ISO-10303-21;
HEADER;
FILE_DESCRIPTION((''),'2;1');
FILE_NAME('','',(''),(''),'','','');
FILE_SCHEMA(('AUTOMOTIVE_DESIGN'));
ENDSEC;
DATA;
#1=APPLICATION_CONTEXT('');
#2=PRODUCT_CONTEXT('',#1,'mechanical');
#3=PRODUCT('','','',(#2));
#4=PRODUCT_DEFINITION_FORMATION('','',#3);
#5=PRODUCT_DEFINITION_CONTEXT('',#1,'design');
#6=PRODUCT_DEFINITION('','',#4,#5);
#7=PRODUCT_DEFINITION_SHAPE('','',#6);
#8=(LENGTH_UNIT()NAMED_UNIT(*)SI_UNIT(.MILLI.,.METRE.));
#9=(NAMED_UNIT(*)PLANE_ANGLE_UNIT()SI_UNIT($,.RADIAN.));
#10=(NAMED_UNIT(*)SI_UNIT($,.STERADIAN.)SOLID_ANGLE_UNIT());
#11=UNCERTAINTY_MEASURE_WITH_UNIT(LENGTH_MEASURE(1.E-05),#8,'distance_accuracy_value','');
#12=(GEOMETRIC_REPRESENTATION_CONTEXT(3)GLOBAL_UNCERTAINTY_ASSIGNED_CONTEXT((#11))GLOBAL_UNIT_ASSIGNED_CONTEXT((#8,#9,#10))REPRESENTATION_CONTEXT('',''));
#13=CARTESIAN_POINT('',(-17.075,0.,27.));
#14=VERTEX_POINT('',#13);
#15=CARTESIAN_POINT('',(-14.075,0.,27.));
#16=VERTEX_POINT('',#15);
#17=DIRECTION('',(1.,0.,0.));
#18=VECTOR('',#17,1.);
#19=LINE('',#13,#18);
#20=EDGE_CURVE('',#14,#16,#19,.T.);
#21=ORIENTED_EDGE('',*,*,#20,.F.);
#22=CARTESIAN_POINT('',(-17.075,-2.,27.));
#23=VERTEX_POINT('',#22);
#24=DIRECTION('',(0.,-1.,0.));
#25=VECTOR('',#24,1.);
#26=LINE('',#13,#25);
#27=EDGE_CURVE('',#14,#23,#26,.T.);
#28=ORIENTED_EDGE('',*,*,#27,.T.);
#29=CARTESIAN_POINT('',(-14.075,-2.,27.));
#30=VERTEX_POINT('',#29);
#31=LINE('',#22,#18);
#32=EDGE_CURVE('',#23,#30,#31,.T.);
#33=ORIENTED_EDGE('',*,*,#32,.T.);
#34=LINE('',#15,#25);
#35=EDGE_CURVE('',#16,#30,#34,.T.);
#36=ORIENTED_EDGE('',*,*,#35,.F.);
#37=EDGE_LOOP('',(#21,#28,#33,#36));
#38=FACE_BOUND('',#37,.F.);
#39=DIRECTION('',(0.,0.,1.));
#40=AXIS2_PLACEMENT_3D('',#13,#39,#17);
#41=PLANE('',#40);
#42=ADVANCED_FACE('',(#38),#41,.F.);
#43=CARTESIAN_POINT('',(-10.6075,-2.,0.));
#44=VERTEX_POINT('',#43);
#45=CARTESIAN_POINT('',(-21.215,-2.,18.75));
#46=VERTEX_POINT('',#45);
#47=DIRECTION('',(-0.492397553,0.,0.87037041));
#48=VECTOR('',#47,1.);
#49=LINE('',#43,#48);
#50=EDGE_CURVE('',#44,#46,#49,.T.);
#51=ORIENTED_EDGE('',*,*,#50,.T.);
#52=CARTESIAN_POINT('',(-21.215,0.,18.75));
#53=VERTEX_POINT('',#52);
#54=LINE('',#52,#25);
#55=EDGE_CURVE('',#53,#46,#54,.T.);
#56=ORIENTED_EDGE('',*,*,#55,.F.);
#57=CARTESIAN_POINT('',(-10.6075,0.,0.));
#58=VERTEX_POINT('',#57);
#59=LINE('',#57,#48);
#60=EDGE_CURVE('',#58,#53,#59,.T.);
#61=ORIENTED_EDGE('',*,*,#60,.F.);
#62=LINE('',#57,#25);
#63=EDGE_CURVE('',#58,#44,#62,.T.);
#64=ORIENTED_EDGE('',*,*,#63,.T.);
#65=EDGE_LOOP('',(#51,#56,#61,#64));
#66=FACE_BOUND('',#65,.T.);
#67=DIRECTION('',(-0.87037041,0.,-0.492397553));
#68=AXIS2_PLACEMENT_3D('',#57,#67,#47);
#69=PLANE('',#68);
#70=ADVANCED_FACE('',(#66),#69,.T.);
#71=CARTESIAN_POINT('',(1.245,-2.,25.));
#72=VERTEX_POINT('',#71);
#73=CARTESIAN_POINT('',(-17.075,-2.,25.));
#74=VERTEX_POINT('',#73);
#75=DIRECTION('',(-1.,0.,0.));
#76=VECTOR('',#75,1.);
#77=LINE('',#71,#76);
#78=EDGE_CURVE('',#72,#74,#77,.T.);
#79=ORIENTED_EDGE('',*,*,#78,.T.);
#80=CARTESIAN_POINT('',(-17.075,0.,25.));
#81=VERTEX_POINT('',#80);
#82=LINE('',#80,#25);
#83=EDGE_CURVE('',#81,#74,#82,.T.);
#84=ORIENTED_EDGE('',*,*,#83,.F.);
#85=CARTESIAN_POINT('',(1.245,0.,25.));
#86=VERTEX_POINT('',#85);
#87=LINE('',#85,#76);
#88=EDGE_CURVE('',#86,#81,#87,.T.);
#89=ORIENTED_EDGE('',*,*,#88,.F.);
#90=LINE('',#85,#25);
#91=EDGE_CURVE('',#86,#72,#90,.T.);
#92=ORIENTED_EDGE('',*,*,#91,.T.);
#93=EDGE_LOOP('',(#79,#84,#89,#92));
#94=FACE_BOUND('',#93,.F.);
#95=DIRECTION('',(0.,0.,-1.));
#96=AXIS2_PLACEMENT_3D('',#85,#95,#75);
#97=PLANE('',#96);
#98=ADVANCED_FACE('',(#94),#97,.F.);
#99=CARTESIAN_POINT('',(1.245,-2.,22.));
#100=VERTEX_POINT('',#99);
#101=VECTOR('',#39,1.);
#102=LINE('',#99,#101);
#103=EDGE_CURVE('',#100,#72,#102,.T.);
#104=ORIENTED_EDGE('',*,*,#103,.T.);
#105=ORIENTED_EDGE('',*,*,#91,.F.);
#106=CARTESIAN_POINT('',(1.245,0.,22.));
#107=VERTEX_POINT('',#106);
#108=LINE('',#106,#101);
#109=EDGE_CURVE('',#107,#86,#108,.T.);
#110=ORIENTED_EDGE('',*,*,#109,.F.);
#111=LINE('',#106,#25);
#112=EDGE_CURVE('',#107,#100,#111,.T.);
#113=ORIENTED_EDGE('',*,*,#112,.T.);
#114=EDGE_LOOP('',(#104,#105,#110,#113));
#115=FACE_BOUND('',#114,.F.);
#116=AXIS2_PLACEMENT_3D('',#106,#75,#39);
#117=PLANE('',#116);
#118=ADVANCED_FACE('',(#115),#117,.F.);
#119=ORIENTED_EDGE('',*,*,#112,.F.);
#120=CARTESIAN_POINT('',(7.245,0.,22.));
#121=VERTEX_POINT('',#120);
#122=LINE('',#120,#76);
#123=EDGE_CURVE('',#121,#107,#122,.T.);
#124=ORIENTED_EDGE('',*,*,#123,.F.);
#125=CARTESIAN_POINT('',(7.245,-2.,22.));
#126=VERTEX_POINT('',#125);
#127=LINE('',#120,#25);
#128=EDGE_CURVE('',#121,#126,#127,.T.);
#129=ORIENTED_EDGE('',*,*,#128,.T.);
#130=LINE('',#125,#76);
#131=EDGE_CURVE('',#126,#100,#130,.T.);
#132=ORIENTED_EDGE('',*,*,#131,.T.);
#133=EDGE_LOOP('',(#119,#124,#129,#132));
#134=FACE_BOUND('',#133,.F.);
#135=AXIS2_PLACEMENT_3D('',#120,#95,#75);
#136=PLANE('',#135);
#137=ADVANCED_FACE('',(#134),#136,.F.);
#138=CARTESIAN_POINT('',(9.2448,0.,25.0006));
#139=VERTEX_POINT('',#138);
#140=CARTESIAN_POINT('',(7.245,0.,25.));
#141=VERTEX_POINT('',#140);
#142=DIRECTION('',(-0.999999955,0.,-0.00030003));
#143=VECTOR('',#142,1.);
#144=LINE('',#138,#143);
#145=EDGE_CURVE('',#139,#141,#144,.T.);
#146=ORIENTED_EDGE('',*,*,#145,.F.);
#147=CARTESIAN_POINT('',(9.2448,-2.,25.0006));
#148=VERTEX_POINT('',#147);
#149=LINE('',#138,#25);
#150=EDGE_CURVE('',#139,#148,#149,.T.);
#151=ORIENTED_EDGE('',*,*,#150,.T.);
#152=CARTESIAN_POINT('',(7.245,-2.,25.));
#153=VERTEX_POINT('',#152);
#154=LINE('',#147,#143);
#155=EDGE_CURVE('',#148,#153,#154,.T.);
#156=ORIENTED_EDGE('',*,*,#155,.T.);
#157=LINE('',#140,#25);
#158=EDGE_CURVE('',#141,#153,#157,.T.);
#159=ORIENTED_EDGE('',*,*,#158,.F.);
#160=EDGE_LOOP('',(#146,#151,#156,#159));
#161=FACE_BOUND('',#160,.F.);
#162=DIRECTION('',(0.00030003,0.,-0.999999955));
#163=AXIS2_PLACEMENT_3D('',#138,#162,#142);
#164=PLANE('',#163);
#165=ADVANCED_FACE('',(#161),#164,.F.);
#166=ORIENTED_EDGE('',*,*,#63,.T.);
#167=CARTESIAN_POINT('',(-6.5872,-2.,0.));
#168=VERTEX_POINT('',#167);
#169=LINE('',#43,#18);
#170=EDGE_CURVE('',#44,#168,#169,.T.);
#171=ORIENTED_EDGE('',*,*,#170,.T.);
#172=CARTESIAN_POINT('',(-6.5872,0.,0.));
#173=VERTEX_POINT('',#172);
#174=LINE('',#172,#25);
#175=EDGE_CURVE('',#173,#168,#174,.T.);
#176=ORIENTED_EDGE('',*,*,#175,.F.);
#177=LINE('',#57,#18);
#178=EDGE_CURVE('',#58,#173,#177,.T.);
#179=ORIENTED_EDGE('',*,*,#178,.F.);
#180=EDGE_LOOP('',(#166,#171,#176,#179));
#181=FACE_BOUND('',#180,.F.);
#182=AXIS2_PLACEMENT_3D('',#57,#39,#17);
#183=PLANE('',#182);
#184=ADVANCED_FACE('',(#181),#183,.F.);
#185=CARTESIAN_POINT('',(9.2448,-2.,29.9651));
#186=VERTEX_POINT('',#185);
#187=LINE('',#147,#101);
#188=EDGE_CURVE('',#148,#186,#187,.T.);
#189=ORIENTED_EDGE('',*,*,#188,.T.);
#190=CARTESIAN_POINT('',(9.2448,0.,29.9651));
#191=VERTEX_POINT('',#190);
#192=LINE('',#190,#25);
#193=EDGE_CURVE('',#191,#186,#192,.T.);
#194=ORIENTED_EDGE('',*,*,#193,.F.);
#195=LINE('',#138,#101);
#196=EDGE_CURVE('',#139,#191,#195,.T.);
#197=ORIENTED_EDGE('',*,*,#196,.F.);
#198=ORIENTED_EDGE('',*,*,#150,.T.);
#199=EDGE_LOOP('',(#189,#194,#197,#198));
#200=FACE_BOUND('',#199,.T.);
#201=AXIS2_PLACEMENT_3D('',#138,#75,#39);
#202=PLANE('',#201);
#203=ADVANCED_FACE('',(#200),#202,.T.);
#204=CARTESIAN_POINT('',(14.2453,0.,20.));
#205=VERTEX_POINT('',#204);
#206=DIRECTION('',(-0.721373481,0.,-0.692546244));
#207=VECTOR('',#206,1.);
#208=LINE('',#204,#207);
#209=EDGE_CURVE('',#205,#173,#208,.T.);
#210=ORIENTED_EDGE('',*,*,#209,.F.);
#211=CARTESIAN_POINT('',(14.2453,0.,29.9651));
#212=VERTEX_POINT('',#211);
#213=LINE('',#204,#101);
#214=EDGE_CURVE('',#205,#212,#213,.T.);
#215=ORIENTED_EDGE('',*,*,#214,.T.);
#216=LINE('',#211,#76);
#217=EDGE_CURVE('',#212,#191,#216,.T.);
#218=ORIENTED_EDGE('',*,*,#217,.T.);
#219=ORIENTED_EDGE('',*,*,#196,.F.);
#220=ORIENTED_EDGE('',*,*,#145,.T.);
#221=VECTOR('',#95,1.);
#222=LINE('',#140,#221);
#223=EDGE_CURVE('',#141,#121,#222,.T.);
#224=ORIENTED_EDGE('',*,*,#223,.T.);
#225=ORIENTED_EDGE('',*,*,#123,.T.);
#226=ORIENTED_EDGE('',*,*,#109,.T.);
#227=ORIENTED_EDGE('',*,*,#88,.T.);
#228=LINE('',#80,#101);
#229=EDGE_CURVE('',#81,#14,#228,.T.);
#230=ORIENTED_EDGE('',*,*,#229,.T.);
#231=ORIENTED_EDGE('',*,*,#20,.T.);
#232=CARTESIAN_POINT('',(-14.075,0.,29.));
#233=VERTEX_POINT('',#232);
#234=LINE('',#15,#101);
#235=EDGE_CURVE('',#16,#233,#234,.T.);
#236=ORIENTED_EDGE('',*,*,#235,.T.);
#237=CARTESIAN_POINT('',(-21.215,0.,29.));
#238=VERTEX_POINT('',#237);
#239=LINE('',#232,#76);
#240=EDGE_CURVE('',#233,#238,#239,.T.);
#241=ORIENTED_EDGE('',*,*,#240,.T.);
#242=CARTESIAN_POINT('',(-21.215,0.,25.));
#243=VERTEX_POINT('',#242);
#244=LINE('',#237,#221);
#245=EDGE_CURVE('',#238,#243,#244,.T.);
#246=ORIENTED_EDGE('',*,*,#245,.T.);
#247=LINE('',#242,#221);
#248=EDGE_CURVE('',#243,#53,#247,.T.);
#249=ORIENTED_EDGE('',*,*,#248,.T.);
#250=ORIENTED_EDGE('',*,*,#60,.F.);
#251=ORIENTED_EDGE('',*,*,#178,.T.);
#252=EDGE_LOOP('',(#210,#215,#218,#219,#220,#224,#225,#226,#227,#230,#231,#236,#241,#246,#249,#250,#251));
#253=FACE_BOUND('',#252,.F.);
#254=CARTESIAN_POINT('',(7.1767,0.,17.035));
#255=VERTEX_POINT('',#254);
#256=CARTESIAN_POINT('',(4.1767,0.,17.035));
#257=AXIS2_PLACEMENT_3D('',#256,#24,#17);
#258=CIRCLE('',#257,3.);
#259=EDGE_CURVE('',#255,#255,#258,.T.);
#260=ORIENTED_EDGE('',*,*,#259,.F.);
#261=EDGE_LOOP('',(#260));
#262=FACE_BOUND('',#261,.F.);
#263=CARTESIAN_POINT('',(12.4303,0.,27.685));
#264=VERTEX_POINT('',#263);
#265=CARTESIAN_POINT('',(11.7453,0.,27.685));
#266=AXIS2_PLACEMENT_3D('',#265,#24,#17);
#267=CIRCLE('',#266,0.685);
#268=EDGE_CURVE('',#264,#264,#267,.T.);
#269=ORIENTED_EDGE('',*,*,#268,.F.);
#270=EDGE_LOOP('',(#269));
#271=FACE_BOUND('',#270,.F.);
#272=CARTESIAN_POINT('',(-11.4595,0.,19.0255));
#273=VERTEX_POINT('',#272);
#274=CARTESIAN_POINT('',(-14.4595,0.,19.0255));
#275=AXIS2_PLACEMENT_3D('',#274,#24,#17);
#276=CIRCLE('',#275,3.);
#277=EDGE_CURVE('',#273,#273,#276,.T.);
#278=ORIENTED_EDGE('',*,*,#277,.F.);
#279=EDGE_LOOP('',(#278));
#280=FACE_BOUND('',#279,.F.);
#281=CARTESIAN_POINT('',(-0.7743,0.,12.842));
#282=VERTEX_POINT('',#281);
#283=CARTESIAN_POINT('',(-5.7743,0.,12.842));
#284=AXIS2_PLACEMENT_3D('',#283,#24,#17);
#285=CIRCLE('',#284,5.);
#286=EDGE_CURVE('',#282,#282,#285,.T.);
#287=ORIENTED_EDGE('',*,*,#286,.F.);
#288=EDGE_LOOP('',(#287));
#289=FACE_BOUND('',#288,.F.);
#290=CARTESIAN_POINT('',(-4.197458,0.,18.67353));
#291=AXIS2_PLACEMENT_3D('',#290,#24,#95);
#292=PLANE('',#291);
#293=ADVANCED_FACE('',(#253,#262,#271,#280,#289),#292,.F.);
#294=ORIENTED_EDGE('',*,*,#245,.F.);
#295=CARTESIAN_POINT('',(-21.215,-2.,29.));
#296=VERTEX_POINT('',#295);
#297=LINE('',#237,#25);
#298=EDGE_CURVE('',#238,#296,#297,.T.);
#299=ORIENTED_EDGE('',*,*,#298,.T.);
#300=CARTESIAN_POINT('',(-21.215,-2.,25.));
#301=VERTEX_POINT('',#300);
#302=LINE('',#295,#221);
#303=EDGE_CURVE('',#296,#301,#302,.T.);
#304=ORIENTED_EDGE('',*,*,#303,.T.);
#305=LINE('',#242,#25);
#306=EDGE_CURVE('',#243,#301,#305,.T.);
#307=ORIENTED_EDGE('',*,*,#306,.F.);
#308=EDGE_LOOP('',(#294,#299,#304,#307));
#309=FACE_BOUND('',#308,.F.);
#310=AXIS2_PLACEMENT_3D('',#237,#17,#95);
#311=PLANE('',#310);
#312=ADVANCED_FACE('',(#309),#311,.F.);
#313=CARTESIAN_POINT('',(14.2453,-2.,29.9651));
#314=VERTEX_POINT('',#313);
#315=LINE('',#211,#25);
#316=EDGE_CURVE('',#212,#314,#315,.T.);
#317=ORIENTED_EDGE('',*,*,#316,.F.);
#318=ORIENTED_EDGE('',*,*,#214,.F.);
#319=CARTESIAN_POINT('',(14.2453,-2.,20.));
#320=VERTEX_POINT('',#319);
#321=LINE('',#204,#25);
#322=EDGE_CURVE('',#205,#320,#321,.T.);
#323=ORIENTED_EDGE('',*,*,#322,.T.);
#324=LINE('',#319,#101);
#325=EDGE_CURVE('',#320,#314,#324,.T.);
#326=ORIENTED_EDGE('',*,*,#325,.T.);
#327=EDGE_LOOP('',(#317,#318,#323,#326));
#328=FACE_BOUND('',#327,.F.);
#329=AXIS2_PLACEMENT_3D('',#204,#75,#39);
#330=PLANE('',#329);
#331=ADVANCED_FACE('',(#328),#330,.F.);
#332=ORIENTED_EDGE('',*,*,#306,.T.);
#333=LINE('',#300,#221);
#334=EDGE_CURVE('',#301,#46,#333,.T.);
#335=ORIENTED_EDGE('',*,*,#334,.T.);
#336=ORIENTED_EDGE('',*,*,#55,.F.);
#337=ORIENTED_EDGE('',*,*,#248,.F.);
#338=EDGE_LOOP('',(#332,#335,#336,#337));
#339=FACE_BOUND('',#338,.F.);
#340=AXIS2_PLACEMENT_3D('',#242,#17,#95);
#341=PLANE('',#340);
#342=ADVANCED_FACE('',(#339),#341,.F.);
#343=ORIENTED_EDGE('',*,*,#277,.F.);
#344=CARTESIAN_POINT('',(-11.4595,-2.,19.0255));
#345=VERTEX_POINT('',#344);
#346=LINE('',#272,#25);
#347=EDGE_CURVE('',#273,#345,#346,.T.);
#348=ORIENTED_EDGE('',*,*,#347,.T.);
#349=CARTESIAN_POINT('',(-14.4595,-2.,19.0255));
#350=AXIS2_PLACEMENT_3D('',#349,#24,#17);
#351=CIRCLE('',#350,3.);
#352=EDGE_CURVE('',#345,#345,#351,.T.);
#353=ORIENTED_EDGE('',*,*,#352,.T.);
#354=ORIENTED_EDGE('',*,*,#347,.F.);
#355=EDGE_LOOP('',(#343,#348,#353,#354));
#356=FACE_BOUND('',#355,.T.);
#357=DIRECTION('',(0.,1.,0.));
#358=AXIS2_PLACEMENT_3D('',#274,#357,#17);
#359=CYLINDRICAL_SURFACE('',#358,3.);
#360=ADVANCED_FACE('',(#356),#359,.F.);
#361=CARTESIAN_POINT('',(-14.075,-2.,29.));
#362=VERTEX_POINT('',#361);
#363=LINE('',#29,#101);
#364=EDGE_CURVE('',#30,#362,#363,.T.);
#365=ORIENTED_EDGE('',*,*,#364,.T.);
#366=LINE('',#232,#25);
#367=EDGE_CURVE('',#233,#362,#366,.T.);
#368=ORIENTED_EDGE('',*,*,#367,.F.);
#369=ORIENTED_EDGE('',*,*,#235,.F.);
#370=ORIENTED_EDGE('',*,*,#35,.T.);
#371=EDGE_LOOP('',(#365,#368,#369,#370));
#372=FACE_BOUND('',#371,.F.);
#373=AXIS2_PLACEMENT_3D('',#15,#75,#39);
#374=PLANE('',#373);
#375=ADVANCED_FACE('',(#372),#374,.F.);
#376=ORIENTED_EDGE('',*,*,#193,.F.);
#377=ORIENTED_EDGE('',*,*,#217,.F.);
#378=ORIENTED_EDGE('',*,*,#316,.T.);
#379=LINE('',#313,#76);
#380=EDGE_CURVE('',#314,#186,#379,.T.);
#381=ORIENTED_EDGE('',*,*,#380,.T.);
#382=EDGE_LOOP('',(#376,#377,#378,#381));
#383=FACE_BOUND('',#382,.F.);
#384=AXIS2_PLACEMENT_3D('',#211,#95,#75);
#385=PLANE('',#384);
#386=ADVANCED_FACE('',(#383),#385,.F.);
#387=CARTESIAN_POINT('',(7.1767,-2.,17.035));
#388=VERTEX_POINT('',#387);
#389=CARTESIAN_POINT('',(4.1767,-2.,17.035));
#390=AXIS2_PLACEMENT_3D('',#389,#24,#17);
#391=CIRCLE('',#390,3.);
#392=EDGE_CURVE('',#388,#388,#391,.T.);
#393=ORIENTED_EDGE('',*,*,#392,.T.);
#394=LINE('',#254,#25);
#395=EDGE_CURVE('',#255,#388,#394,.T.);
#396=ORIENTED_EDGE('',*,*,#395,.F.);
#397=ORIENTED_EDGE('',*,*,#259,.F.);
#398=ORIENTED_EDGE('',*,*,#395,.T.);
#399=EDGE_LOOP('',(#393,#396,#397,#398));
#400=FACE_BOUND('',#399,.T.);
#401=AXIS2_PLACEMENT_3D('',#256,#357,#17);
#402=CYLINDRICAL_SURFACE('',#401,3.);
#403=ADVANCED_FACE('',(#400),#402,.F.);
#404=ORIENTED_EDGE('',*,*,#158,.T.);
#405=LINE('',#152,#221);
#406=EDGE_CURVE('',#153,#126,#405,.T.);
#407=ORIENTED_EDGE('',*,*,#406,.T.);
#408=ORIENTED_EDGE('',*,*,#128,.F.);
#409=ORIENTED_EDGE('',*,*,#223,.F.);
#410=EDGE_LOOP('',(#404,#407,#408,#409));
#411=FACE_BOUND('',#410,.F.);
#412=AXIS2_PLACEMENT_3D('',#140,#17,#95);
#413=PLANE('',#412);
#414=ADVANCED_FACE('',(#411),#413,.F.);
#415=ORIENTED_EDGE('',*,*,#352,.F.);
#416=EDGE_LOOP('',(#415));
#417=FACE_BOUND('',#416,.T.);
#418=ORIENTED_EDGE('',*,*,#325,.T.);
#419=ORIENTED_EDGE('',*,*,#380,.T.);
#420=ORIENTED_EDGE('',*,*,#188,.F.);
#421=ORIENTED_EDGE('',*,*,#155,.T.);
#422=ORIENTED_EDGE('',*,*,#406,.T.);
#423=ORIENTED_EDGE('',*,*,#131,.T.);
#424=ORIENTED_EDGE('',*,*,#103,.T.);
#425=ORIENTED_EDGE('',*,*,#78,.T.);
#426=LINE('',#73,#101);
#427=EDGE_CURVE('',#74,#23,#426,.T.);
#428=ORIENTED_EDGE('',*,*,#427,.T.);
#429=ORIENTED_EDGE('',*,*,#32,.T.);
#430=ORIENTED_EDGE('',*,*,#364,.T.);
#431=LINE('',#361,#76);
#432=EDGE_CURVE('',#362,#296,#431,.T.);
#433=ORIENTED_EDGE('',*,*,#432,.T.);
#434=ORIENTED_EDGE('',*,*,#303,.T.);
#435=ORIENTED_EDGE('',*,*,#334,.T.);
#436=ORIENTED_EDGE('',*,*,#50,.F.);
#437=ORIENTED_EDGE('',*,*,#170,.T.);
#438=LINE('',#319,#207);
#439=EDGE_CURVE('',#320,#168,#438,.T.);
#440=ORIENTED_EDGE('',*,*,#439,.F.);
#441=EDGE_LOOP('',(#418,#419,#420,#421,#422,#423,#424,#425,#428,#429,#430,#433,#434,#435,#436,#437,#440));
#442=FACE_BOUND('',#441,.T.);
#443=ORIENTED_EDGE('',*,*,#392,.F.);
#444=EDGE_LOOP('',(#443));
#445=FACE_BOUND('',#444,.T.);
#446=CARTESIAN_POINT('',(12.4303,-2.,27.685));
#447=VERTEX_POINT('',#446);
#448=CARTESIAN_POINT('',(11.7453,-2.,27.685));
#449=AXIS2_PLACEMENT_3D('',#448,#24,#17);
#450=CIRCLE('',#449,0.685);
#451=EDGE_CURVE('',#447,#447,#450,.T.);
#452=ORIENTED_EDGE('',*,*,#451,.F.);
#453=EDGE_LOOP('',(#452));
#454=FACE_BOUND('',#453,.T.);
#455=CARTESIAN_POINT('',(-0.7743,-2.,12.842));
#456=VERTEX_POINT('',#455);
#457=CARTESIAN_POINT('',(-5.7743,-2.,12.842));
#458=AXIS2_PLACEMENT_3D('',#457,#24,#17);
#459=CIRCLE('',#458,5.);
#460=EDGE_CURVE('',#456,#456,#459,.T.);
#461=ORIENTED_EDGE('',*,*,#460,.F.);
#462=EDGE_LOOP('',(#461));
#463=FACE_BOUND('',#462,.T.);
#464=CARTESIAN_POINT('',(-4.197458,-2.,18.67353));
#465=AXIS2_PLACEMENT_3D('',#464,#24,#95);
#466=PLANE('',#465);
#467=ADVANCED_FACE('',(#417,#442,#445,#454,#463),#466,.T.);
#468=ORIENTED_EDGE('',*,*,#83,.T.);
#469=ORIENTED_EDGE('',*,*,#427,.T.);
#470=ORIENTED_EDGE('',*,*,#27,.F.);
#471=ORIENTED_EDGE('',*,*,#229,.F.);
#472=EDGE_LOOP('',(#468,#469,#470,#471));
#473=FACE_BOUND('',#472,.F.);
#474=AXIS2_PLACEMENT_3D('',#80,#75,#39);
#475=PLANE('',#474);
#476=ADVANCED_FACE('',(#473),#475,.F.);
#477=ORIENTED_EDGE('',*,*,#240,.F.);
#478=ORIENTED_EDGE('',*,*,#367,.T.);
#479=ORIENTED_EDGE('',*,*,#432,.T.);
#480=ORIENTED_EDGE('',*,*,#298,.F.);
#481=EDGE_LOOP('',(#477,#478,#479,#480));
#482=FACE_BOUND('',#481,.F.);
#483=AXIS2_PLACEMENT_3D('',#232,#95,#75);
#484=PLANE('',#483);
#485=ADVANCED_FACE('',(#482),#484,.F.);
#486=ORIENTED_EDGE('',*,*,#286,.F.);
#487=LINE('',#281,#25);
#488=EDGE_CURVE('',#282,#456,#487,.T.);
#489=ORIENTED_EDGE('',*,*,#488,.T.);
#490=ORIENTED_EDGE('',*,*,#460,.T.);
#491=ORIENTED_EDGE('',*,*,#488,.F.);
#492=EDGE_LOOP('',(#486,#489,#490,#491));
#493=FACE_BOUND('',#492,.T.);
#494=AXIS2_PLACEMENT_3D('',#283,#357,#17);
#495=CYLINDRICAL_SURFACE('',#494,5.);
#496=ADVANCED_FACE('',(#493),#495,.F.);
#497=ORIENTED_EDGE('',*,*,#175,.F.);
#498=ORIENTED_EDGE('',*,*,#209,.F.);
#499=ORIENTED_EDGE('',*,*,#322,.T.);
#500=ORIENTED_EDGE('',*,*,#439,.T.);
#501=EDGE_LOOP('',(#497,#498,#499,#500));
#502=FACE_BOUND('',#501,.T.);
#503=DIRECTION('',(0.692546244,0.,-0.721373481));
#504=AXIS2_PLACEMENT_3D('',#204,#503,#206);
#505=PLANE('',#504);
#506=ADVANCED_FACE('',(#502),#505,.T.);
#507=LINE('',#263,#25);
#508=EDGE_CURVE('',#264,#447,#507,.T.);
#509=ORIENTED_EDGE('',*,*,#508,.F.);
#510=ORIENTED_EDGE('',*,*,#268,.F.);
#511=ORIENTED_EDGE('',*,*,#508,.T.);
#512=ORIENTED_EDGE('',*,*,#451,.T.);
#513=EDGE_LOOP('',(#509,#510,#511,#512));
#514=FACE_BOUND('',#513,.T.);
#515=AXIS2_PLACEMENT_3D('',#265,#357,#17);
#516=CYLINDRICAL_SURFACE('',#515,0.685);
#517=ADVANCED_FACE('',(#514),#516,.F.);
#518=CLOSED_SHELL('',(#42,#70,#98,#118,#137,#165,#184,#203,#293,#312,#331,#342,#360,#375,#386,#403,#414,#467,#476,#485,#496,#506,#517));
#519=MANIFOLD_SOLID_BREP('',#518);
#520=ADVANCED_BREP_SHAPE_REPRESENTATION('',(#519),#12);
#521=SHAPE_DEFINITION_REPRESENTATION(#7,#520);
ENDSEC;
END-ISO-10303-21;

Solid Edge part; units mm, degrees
sketch "Sketch1" plane through (0, 0, 0) normal (0, -1, 0) x (1, 0, 0)
  line L0 (7.245, 25) -> (7.245, 22)
  line L1 (7.245, 22) -> (1.245, 22)
  line L2 (1.245, 22) -> (1.245, 25)
  line L3 (1.245, 25) -> (-17.075, 25)
  line L4 (-17.075, 25) -> (-17.075, 27)
  line L5 (-17.075, 27) -> (-14.075, 27)
  line L6 (-14.075, 27) -> (-14.075, 29)
  line L7 (-14.075, 29) -> (-21.215, 29)
  line L8 (-21.215, 29) -> (-21.215, 25)
  line L9 (-21.215, 25) -> (-21.215, 18.75)
  line L10 (-10.6075, 0) -> (-21.215, 18.75)
  line L11 (-10.6075, 0) -> (-6.5872, 0)
  line L12 (14.2453, 20) -> (-6.5872, 0)
  line L13 (14.2453, 20) -> (14.2453, 29.9651)
  line L14 (14.2453, 29.9651) -> (9.2448, 29.9651)
  line L15 (9.2448, 25.0006) -> (9.2448, 29.9651)
  line L16 (9.2448, 25.0006) -> (7.245, 25)
  circle A0 centre (-5.7743, 12.842) radius 5
  circle A1 centre (-14.4595, 19.0255) radius 3
  circle A2 centre (4.1767, 17.035) radius 3
  circle A3 centre (11.7453, 27.685) radius 0.685
  dimension "D1" = 3
  dimension "D2" = 6
  dimension "D3" = 3
  dimension "D4" = 18.32
  dimension "D5" = 2
  dimension "D6" = 3
  dimension "D7" = 2
  dimension "D8" = 10
  dimension "D9" = 6
  dimension "D10" = 6
  dimension "D11" = 6
  dimension "D12" = 1.37
extrude "Protrusion1" add sketch "Sketch1" along normal blind 2
properties material "Acrylic, high impact grade"
